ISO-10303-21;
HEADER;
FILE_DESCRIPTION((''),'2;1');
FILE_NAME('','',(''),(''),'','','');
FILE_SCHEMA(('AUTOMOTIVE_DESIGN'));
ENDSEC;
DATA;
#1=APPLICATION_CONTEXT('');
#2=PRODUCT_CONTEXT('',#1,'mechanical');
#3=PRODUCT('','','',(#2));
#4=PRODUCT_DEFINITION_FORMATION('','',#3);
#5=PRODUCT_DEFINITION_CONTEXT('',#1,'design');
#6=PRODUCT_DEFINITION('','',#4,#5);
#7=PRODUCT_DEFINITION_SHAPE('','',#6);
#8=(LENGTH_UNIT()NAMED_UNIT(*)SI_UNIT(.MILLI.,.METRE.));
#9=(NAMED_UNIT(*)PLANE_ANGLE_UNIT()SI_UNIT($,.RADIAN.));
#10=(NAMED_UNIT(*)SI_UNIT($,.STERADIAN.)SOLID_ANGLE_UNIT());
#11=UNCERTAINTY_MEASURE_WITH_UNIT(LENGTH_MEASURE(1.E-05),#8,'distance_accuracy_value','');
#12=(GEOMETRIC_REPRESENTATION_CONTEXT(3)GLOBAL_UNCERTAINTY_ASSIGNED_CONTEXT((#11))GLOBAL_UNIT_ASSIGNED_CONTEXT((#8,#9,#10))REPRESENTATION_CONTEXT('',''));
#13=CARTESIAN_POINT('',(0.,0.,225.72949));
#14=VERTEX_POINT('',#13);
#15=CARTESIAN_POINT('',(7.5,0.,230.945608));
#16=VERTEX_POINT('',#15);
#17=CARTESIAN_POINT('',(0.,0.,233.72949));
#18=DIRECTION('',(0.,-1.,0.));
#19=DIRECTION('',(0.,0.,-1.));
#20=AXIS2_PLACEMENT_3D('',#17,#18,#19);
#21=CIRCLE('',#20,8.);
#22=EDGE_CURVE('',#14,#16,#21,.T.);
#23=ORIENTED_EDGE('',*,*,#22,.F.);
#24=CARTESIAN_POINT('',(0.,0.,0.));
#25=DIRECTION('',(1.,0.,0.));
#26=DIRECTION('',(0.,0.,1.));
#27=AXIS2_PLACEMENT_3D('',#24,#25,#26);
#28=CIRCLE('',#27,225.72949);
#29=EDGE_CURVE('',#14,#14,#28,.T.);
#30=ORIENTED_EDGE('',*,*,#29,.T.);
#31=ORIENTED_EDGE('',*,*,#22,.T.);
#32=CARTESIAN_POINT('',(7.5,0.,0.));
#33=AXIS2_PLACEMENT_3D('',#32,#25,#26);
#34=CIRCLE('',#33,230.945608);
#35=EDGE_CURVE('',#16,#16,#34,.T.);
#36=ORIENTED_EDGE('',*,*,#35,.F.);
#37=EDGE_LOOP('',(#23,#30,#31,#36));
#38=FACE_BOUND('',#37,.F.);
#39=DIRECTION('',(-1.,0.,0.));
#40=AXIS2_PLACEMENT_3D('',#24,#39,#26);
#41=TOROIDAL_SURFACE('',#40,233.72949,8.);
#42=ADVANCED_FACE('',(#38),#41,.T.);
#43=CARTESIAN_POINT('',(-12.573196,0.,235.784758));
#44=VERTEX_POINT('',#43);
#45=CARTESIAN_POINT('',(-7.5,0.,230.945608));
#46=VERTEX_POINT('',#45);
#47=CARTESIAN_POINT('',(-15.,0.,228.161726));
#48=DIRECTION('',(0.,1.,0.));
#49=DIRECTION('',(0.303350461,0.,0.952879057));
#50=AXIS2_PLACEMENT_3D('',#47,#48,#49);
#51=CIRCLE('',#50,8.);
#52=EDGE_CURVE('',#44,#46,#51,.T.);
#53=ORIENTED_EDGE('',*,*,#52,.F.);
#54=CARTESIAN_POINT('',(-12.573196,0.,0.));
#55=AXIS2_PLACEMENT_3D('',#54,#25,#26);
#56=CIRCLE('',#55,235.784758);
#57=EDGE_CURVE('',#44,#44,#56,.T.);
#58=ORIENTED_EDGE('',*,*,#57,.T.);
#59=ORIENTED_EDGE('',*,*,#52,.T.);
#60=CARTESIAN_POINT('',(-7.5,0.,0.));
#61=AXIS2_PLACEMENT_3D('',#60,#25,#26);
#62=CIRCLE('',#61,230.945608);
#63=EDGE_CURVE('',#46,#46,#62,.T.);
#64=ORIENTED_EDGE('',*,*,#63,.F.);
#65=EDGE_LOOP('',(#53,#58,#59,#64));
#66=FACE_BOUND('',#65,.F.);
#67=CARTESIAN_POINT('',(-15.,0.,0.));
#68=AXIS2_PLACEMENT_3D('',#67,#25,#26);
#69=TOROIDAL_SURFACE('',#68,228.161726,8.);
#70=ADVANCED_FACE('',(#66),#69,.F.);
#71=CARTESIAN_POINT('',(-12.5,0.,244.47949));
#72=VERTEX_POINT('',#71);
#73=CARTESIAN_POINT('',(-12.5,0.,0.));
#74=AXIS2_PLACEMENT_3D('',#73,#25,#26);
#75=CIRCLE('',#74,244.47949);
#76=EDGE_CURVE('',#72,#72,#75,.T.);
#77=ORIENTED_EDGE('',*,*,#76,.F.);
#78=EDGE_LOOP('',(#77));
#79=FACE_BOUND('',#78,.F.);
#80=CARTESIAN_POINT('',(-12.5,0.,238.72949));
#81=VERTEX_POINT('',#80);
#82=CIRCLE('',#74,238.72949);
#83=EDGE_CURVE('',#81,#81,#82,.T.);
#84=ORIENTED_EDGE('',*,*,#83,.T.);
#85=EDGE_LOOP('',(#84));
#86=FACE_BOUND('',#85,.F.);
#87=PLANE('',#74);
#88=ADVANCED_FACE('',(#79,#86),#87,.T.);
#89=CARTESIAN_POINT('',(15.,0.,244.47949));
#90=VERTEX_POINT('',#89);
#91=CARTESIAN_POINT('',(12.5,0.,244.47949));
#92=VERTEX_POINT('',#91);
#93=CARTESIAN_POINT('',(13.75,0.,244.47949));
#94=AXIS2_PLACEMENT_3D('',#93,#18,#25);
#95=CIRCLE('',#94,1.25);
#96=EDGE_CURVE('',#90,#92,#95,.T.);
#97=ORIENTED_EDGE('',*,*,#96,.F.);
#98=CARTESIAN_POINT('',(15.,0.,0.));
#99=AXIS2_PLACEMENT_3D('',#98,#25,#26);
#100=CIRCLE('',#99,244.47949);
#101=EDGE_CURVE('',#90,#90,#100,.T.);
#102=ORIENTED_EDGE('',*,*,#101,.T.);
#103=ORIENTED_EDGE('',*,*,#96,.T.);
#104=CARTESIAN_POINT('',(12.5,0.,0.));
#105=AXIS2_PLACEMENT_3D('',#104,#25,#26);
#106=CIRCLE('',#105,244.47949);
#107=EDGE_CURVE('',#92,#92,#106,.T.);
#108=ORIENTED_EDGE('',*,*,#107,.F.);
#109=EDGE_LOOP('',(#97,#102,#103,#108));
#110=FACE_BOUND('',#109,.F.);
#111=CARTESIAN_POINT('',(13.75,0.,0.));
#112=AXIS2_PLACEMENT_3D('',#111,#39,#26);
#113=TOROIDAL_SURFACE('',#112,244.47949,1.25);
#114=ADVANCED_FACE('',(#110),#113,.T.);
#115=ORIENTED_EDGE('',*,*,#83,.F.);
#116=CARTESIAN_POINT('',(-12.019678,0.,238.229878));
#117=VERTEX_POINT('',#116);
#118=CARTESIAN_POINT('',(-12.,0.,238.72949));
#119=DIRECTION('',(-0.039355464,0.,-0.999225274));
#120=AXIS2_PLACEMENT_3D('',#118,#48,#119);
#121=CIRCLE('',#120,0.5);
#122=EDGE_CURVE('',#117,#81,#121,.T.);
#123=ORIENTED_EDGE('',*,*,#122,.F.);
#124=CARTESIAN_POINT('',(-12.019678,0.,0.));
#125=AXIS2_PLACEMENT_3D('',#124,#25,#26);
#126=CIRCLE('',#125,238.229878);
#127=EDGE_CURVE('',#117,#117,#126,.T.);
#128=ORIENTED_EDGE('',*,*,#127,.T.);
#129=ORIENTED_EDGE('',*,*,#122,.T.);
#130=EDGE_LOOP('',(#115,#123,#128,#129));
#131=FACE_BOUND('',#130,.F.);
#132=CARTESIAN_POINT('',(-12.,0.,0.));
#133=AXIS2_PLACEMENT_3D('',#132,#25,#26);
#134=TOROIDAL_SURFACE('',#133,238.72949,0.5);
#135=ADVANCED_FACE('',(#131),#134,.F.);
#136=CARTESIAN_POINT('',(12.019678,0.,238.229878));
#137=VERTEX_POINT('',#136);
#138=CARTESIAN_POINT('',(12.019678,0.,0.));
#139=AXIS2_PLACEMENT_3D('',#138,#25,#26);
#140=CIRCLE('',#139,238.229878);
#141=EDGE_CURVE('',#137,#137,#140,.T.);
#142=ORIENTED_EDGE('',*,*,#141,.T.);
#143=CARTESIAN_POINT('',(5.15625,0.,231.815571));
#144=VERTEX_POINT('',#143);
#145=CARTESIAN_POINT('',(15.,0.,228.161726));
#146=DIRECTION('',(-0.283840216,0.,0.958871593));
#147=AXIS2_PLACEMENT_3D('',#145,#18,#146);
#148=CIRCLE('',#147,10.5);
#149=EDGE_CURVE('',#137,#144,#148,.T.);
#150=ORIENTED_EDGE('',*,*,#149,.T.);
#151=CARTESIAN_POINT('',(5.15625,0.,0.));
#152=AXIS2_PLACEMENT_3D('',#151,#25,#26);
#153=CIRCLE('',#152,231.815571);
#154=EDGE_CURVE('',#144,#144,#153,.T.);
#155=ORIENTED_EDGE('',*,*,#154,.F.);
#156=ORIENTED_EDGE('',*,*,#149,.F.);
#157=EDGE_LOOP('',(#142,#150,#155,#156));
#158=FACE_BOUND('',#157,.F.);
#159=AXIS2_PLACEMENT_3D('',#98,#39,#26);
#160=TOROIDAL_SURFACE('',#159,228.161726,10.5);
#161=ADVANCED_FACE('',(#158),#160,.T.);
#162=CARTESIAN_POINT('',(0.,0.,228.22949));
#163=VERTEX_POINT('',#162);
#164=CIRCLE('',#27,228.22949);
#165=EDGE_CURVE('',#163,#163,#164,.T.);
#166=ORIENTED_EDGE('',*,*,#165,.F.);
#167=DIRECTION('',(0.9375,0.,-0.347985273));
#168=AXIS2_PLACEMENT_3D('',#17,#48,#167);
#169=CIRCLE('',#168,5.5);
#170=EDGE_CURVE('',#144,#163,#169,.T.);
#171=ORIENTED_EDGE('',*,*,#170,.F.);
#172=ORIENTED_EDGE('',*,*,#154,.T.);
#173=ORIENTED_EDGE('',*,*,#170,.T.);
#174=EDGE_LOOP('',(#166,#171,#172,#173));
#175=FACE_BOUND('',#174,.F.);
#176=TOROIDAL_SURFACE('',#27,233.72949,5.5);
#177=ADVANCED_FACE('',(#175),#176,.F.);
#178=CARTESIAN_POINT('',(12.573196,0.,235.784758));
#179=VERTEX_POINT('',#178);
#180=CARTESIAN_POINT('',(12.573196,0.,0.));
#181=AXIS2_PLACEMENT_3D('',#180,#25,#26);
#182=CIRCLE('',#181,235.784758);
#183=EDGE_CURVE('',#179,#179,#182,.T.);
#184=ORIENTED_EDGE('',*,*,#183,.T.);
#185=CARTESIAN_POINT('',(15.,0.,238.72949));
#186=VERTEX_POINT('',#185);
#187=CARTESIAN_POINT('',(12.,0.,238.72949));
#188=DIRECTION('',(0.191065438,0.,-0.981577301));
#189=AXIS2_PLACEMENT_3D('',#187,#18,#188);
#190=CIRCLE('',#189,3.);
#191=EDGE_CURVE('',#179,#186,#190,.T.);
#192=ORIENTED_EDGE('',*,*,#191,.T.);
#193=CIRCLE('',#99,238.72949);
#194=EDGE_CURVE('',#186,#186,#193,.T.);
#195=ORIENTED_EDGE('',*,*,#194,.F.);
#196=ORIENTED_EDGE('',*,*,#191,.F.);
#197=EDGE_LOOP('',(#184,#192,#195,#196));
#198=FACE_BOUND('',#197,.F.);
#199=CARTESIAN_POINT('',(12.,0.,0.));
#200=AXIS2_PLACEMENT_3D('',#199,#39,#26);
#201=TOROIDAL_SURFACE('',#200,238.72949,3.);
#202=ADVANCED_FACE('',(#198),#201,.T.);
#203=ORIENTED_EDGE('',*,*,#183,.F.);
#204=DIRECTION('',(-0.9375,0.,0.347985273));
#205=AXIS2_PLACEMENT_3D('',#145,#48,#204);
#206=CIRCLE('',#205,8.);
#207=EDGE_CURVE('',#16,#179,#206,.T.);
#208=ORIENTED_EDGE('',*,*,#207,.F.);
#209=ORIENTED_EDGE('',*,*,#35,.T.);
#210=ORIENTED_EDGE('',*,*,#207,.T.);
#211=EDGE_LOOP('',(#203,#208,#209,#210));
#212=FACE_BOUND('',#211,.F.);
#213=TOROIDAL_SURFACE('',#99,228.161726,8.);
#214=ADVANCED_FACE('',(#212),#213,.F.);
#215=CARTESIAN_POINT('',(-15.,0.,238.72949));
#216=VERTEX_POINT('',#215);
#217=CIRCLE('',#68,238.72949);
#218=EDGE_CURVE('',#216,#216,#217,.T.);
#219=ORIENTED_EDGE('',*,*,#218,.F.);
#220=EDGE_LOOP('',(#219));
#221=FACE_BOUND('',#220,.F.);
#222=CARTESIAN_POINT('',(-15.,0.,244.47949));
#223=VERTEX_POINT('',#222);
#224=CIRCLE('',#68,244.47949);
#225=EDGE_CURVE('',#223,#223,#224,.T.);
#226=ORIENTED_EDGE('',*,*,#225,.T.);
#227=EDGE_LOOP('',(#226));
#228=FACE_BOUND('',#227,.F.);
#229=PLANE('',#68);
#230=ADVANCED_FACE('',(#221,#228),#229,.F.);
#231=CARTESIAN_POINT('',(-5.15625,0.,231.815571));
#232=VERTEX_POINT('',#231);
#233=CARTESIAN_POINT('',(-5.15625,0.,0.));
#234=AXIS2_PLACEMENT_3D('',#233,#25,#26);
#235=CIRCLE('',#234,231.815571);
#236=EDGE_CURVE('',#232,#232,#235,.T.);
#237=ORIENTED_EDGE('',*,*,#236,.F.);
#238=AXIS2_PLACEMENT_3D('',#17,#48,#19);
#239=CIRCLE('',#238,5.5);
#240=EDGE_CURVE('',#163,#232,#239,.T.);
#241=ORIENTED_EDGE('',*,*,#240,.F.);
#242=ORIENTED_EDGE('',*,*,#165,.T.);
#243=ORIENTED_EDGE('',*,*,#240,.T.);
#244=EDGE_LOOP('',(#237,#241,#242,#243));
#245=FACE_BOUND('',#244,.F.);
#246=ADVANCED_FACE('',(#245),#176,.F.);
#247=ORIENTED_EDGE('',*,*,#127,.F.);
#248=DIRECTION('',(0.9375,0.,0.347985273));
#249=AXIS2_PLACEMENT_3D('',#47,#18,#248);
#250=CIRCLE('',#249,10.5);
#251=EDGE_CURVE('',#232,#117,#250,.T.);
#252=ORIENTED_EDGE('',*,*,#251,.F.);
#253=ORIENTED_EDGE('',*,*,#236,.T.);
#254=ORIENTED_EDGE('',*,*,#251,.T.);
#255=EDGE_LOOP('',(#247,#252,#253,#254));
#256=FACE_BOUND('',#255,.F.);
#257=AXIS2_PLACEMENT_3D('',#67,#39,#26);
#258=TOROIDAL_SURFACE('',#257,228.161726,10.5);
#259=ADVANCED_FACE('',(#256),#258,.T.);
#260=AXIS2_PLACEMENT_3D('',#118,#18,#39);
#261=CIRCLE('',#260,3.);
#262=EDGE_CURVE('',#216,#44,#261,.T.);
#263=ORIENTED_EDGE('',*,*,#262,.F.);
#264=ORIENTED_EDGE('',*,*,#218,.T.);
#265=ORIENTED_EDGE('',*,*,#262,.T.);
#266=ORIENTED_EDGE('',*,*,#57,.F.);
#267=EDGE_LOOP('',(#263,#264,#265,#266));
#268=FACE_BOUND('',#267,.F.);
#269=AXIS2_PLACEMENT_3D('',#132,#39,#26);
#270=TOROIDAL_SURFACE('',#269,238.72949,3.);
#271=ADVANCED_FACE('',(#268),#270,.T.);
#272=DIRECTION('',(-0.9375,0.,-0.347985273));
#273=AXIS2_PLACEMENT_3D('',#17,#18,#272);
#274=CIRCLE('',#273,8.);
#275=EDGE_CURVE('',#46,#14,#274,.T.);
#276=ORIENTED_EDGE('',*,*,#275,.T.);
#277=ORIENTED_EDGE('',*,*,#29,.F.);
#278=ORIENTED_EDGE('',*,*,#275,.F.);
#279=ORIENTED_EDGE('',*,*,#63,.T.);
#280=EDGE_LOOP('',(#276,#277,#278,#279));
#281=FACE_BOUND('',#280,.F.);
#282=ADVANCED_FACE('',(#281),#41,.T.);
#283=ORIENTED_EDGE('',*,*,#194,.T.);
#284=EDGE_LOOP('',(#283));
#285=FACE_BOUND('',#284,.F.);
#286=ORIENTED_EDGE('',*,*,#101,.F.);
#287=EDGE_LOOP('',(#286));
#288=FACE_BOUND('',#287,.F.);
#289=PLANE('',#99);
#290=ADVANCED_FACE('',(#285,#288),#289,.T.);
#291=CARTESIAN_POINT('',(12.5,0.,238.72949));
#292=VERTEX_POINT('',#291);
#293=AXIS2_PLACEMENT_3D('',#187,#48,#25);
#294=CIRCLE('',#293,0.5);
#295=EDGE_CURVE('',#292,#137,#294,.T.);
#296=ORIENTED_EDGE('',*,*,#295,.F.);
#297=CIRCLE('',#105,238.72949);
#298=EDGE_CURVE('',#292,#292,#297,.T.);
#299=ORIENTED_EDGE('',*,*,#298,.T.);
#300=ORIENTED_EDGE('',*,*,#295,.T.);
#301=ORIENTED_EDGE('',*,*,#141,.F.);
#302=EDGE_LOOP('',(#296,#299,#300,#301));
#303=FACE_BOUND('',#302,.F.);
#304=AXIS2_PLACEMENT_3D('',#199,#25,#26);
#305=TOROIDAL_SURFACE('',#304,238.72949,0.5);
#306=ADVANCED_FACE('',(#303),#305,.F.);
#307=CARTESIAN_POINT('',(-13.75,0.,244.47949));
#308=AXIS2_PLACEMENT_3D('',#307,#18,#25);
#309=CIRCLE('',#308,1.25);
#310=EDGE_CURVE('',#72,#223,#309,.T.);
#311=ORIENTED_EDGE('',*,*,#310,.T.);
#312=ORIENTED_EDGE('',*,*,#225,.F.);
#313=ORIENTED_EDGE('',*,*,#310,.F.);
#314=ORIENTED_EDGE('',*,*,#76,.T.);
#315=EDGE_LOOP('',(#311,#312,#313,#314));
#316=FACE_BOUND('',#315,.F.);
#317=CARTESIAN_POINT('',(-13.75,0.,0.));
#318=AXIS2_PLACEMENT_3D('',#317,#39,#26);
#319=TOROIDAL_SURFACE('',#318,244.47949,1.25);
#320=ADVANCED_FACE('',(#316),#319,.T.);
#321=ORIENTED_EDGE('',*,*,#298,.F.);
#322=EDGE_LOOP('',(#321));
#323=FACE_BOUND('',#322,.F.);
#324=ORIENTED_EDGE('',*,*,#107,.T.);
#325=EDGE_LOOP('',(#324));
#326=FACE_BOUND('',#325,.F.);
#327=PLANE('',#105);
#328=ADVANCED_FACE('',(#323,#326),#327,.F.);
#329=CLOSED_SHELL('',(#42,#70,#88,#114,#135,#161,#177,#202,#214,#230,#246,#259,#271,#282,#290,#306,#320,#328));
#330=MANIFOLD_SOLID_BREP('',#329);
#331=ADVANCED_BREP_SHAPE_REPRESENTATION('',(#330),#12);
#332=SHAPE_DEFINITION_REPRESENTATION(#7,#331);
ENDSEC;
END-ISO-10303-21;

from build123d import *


with BuildPart() as f2:
    # F0 (on Front) → F2 (revolve)
    with BuildSketch(Plane.XZ):
        with BuildLine():
            Line((-15, 244.4794901688), (-15, 238.7294901688))
            ThreePointArc((-15, 238.7294901688), (-14.3151229928, 236.8215579036), (-12.5731963145, 235.784758265))
            ThreePointArc((-12.5731963145, 235.784758265), (-9.4782519339, 233.9505338261), (-7.5, 230.9456079873))
            ThreePointArc((-7.5, 230.9456079873), (-4.5677643628, 227.1617258059), (0, 225.7294901688))
            ThreePointArc((0, 225.7294901688), (4.5677643628, 227.1617258059), (7.5, 230.9456079873))
            ThreePointArc((7.5, 230.9456079873), (9.4782519339, 233.9505338261), (12.5731963145, 235.784758265))
            ThreePointArc((12.5731963145, 235.784758265), (14.3151229928, 236.8215579036), (15, 238.7294901688))
            Line((15, 238.7294901688), (15, 244.4794901688))
            ThreePointArc((15, 244.4794901688), (13.75, 245.7294901688), (12.5, 244.4794901688))
            Line((12.5, 244.4794901688), (12.5, 238.7294901688))
            ThreePointArc((12.5, 238.7294901688), (12.3604433839, 238.3829637382), (12.0196777319, 238.2298775319))
            ThreePointArc((12.0196777319, 238.2298775319), (7.8306179545, 235.8330986352), (5.15625, 231.815571169))
            ThreePointArc((5.15625, 231.815571169), (3.1403379994, 229.2141521693), (0, 228.2294901688))
            ThreePointArc((0, 228.2294901688), (-3.1403379994, 229.2141521693), (-5.15625, 231.815571169))
            ThreePointArc((-5.15625, 231.815571169), (-7.8306179545, 235.8330986352), (-12.0196777319, 238.2298775319))
            ThreePointArc((-12.0196777319, 238.2298775319), (-12.3604433839, 238.3829637382), (-12.5, 238.7294901688))
            Line((-12.5, 238.7294901688), (-12.5, 244.4794901688))
            ThreePointArc((-12.5, 244.4794901688), (-13.75, 245.7294901688), (-15, 244.4794901688))
        make_face()
    revolve(axis=Axis((0, 0, 0), (1, 0, 0)))


solid = f2.part
